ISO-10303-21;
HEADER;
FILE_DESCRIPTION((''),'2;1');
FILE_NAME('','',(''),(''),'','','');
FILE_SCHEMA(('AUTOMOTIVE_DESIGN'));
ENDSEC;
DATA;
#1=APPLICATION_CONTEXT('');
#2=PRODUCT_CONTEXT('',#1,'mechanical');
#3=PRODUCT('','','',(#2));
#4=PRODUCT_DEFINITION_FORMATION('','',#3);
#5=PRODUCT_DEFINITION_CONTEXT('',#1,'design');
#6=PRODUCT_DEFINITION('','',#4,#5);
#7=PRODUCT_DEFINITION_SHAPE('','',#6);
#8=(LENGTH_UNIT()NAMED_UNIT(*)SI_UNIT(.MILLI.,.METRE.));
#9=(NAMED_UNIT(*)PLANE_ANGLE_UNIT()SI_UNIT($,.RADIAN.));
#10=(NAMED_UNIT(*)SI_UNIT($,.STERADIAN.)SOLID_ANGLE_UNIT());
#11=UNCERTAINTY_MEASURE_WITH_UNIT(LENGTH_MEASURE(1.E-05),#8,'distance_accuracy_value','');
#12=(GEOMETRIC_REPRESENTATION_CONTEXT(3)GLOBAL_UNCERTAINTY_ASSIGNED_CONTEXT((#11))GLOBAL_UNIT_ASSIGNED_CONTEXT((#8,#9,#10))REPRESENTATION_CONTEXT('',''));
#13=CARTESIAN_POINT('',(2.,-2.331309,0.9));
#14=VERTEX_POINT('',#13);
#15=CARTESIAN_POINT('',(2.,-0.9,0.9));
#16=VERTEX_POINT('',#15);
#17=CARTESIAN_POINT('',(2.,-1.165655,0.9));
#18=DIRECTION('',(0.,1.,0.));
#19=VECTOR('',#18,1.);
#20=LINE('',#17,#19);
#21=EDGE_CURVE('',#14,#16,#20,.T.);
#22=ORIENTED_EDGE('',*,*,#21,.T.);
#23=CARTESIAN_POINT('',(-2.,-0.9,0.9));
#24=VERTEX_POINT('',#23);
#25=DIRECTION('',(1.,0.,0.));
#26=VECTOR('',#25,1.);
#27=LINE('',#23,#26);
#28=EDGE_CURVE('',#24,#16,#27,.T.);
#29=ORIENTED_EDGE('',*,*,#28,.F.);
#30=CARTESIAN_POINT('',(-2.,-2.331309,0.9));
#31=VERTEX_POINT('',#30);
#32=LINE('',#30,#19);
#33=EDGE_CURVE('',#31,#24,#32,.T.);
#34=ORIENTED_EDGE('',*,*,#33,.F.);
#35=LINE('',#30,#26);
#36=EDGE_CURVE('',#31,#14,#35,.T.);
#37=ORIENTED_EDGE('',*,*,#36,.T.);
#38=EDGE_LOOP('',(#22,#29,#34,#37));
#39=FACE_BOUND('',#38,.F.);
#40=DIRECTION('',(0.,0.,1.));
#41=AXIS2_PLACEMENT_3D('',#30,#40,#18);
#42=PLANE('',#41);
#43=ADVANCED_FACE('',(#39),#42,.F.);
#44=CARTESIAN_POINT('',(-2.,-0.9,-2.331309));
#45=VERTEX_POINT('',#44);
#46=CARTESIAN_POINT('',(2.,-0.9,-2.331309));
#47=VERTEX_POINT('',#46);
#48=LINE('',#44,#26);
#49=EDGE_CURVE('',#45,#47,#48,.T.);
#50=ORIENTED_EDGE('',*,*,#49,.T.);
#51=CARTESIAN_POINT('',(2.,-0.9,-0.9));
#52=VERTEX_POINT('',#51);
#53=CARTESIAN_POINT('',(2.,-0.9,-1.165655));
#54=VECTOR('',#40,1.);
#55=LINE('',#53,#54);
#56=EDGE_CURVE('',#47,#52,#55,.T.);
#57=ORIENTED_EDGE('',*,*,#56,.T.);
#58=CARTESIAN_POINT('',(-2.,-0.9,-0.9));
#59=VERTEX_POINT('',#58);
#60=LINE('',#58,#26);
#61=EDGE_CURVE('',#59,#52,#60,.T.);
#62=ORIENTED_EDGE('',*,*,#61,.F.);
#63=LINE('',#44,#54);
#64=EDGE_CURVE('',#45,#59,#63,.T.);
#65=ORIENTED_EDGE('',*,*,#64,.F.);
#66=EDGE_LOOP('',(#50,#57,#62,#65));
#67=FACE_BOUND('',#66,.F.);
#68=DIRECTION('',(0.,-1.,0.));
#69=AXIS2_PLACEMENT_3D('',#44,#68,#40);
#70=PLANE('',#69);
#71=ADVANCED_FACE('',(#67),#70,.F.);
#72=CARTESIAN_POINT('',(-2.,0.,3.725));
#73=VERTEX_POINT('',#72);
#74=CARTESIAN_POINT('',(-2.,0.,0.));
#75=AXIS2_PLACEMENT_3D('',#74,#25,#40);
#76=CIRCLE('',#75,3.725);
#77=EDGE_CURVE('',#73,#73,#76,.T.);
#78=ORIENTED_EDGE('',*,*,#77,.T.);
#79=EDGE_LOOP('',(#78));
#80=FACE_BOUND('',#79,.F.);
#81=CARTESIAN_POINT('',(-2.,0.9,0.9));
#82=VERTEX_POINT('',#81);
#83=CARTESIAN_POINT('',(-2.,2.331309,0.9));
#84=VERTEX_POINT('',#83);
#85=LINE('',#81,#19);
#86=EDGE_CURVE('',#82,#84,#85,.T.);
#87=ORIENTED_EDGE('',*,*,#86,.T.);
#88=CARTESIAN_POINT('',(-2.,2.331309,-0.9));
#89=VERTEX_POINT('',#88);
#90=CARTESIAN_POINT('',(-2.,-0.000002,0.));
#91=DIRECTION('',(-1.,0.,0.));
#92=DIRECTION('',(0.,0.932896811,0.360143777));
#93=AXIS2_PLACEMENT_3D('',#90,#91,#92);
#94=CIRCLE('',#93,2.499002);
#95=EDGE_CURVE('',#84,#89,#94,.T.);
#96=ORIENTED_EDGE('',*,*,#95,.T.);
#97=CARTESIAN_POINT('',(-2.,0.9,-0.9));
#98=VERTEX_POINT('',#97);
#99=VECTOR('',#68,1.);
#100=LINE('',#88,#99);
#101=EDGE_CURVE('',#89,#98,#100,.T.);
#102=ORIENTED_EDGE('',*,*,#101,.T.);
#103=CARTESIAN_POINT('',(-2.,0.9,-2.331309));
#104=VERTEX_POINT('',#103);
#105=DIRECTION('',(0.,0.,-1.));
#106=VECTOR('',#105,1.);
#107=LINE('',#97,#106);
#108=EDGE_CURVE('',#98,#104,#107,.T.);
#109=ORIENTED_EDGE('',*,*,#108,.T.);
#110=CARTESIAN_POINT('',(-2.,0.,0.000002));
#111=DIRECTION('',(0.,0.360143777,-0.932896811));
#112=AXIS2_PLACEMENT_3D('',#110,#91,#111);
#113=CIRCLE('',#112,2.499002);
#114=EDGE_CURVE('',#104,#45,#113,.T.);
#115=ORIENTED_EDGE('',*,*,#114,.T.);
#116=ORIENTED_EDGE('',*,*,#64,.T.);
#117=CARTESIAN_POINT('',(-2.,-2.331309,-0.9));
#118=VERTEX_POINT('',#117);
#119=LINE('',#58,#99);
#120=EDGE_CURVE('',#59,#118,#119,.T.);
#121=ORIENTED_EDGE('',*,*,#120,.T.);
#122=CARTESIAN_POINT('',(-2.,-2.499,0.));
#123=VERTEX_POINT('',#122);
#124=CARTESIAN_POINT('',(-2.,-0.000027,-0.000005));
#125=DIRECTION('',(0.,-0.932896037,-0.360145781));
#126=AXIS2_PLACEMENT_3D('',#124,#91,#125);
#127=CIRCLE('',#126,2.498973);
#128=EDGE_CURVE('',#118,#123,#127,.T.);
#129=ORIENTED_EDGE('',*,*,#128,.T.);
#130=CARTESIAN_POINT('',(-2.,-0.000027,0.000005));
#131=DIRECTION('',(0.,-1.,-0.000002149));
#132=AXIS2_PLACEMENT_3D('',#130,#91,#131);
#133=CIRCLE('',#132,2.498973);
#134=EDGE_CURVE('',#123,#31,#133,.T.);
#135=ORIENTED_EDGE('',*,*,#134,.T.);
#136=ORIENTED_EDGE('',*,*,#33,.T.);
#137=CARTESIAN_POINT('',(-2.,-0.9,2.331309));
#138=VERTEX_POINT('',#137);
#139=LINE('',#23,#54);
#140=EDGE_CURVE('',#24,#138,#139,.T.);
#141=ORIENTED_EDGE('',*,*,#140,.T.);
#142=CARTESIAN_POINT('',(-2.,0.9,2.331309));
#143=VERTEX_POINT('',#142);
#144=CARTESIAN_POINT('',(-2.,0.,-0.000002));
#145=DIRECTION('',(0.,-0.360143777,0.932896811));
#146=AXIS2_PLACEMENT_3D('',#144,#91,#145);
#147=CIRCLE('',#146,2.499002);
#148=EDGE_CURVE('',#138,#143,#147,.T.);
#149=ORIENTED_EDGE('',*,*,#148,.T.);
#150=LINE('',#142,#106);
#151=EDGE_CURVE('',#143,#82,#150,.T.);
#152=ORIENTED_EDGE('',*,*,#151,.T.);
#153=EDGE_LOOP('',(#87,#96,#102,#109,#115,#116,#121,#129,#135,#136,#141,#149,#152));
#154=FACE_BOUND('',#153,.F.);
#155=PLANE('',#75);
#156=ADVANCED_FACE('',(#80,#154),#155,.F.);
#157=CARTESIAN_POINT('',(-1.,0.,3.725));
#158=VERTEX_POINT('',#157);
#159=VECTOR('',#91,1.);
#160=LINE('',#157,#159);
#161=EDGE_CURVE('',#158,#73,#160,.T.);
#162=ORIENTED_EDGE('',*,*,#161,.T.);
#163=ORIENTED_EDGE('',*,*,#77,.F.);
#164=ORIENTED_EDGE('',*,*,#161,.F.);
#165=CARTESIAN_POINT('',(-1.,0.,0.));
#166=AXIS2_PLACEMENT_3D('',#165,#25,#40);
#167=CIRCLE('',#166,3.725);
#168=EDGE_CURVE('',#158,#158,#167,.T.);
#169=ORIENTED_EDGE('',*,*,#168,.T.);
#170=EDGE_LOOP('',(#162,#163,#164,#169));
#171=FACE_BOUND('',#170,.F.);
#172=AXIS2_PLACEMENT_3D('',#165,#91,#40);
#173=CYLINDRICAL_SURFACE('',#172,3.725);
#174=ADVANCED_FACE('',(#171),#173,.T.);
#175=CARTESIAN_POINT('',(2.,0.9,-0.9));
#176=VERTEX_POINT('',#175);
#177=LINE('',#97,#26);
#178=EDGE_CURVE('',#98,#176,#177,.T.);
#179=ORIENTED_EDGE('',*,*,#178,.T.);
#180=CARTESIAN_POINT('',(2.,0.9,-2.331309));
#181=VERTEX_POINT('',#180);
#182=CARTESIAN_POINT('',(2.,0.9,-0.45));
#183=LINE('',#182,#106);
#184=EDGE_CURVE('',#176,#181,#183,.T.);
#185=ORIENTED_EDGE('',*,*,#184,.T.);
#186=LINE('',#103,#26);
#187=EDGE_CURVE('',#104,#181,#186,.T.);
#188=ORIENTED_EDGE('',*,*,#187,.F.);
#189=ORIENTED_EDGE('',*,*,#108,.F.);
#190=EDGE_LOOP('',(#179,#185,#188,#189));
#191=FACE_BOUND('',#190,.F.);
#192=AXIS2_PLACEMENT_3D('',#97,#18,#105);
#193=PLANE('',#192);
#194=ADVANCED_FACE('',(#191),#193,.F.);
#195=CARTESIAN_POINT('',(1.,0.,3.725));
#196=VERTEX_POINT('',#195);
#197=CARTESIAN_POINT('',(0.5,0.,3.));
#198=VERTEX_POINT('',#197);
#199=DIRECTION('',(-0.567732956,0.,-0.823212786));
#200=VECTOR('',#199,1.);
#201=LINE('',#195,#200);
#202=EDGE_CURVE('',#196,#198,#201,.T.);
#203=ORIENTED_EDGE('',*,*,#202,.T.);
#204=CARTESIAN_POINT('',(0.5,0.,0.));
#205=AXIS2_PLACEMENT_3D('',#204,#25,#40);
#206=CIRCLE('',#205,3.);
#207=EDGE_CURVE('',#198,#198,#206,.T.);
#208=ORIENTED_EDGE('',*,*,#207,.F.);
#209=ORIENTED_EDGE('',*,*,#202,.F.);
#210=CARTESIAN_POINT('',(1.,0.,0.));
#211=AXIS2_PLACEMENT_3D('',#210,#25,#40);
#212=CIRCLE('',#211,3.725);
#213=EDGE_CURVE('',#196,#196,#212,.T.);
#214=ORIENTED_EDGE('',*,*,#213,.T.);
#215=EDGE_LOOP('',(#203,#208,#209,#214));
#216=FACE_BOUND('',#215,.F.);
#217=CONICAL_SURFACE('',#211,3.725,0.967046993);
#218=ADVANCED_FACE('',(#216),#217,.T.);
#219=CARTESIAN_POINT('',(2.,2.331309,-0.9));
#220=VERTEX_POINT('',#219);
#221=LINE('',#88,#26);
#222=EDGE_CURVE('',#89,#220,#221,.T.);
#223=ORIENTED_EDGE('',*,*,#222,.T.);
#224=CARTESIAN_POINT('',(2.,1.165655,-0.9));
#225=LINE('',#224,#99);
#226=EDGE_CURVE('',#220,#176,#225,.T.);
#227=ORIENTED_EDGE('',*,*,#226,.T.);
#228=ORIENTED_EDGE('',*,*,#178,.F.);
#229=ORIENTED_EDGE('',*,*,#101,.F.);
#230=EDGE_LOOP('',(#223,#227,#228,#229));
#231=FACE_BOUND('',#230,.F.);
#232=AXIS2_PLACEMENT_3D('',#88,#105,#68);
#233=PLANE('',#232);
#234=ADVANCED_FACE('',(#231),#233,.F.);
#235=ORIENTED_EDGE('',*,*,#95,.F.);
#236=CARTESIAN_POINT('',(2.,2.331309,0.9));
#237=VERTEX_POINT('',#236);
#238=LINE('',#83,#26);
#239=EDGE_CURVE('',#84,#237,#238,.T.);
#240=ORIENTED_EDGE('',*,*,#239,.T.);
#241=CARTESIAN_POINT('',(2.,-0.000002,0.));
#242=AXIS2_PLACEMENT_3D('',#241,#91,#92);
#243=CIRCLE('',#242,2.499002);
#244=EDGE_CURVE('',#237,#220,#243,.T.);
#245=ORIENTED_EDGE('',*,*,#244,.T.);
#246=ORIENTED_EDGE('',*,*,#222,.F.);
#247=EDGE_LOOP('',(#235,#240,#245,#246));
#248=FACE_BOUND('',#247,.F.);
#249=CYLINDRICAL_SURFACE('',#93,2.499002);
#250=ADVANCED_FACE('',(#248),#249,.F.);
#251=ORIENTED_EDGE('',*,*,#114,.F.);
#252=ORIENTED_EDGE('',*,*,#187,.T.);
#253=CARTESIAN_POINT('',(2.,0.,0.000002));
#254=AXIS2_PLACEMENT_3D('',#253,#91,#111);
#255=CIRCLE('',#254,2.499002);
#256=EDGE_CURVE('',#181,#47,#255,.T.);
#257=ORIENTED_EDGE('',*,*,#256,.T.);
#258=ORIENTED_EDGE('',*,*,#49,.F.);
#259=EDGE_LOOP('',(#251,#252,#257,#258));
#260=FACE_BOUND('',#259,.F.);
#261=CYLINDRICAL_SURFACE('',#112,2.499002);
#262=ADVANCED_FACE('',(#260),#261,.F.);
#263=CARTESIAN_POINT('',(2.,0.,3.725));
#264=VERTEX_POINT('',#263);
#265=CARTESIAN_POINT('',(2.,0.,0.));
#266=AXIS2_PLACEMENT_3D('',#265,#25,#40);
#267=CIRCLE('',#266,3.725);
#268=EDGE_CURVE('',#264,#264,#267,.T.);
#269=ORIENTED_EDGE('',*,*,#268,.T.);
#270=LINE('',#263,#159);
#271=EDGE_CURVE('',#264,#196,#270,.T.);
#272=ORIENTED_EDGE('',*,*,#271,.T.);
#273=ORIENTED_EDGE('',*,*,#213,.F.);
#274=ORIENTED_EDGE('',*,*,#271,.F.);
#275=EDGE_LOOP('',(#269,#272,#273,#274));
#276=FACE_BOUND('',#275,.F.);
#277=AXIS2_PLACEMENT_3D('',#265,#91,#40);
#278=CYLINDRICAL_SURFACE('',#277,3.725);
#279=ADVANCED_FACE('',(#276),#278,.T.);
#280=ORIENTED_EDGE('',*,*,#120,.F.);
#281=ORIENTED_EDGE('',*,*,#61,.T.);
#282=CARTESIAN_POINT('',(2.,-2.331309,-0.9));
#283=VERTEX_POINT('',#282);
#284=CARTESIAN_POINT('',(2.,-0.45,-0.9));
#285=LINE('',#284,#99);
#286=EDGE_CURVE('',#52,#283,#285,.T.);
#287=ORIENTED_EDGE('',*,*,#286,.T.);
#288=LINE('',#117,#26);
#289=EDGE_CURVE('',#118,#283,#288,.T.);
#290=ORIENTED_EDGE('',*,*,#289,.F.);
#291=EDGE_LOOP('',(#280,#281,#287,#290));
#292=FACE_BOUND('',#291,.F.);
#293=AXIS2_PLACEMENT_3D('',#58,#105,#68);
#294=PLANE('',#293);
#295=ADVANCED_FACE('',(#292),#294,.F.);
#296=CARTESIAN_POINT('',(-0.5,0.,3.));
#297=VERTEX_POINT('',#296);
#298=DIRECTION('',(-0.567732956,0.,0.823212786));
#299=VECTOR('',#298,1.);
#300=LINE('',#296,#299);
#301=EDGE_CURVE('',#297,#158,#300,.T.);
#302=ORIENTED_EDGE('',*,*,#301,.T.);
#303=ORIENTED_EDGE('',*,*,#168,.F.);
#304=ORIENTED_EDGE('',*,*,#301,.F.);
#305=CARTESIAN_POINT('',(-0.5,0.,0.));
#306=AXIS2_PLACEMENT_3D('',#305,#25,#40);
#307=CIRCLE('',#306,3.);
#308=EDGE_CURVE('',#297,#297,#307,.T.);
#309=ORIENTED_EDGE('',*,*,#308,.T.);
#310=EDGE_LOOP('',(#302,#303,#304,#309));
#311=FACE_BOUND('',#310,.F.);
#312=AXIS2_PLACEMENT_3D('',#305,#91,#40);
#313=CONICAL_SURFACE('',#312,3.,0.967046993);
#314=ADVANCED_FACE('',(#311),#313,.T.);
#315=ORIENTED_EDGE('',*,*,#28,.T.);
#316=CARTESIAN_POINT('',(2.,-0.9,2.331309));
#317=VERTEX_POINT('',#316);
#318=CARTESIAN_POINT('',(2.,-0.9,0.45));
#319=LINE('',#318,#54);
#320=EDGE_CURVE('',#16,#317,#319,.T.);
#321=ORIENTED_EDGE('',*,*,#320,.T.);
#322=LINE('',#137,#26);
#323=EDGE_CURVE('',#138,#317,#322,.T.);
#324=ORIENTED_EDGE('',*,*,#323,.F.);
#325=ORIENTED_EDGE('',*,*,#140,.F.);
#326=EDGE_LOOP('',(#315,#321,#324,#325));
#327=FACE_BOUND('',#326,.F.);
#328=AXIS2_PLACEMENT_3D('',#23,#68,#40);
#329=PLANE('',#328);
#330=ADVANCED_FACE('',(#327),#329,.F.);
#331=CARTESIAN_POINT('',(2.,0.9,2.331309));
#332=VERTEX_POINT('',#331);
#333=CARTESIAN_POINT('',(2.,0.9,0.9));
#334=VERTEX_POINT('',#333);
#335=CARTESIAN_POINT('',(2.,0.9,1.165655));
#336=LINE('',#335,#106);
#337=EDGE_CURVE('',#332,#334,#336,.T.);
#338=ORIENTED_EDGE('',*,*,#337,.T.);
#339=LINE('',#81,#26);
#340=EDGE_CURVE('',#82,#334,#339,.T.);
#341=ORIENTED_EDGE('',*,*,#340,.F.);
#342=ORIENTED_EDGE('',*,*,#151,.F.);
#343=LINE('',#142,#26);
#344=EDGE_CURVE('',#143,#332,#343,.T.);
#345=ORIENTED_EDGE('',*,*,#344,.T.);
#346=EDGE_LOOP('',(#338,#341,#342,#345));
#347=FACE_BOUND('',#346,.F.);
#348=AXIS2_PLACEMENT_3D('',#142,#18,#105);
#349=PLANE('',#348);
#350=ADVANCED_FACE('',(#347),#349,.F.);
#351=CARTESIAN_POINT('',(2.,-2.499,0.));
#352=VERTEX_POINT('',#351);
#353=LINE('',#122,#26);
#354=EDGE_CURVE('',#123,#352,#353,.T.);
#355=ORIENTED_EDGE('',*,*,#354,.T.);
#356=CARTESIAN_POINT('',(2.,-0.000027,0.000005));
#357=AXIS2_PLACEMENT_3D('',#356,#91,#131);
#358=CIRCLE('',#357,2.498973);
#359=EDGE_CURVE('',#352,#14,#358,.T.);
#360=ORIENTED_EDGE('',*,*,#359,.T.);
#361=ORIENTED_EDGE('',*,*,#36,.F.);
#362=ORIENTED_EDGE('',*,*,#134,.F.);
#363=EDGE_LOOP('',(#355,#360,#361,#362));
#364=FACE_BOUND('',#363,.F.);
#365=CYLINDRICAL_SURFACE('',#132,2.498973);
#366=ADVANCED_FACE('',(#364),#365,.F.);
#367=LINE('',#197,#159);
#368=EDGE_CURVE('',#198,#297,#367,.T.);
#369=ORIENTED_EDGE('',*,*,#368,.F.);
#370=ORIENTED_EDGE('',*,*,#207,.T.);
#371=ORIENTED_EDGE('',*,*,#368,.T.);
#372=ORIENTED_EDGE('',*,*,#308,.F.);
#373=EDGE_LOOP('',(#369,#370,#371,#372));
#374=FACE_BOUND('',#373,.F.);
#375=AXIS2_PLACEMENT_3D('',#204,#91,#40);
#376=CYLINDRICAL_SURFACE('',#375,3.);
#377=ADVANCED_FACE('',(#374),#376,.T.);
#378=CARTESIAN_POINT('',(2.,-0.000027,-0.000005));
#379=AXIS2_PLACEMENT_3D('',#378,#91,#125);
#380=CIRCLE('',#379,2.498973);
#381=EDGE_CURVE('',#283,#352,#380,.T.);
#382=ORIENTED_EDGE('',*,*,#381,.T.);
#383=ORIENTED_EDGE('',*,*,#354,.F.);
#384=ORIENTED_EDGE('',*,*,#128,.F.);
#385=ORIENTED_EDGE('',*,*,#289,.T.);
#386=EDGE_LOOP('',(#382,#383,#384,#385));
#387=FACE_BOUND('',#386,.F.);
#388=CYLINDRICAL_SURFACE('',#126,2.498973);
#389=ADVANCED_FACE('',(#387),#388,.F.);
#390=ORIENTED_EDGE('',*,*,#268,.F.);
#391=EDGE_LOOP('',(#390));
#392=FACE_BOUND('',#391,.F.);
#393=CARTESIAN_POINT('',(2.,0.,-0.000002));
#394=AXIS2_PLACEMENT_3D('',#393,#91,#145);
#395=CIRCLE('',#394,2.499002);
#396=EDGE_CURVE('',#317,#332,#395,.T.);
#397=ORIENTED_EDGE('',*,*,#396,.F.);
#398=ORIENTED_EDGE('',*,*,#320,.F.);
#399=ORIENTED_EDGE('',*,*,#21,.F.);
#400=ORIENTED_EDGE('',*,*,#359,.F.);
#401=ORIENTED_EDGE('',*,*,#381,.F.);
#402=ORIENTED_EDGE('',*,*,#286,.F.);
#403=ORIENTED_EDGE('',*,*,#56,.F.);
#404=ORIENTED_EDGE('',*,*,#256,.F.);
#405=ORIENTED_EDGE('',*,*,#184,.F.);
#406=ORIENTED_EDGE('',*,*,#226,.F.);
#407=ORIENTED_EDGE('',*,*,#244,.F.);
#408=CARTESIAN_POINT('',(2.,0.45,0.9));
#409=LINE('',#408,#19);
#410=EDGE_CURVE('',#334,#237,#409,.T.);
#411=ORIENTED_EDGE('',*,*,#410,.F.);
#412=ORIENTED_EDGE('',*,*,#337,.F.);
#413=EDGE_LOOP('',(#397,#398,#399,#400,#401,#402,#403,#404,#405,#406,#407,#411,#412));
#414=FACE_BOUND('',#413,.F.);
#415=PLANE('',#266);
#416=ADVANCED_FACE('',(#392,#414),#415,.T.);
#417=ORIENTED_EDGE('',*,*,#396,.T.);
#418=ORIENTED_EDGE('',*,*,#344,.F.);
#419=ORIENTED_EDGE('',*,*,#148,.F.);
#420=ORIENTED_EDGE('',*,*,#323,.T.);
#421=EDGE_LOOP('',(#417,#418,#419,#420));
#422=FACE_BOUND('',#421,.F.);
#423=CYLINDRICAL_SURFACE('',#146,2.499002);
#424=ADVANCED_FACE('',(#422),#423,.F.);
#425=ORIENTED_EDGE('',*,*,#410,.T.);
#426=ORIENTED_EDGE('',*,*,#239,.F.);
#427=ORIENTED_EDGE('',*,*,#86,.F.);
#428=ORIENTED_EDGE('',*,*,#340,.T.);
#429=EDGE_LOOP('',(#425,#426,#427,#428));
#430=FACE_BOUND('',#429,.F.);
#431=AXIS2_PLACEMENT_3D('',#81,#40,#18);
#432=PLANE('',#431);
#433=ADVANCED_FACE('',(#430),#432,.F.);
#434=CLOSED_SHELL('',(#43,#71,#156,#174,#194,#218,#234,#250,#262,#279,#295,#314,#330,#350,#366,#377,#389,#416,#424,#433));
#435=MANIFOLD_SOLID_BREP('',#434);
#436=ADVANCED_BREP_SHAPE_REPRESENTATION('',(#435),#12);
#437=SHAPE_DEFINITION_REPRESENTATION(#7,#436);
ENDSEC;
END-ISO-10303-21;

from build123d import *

# Parameters (mm, degrees)
F3_DEPTH = 4.001


with BuildPart() as f1:
    # F0 (on Front) → F1 (revolve)
    with BuildSketch(Plane.XZ):
        Polygon((2, 0), (2, 3.725), (1, 3.725), (0.5, 3), (-0.5, 3), (-1, 3.725), (-2, 3.725), (-2, 0), align=None)
    revolve(axis=Axis((0.147453, 0, 0), (1, 0, 0)))

    # F2 (on face) → F3 (cut, through all)
    with BuildSketch(Plane(origin=(-2, 0, 0), x_dir=(0, -1, 0), z_dir=(-1, 0, 0))):
        with BuildLine():
            ThreePointArc((2.331309, -0.9), (2.45672, -0.457745), (2.499, 0))
            ThreePointArc((2.499, 0), (2.45672, 0.457745), (2.331309, 0.9))
            Line((2.331309, 0.9), (0.9, 0.9))
            Line((0.9, 0.9), (0.9, 2.331309))
            ThreePointArc((0.9, 2.331309), (0, 2.499), (-0.9, 2.331309))
            Line((-0.9, 2.331309), (-0.9, 0.9))
            Line((-0.9, 0.9), (-2.331309, 0.9))
            ThreePointArc((-2.331309, 0.9), (-2.499, 0), (-2.331309, -0.9))
            Line((-2.331309, -0.9), (-0.9, -0.9))
            Line((-0.9, -0.9), (-0.9, -2.331309))
            ThreePointArc((-0.9, -2.331309), (0, -2.499), (0.9, -2.331309))
            Line((0.9, -2.331309), (0.9, -0.9))
            Line((0.9, -0.9), (2.331309, -0.9))
        make_face()
    extrude(amount=-F3_DEPTH, mode=Mode.SUBTRACT)


solid = f1.part
